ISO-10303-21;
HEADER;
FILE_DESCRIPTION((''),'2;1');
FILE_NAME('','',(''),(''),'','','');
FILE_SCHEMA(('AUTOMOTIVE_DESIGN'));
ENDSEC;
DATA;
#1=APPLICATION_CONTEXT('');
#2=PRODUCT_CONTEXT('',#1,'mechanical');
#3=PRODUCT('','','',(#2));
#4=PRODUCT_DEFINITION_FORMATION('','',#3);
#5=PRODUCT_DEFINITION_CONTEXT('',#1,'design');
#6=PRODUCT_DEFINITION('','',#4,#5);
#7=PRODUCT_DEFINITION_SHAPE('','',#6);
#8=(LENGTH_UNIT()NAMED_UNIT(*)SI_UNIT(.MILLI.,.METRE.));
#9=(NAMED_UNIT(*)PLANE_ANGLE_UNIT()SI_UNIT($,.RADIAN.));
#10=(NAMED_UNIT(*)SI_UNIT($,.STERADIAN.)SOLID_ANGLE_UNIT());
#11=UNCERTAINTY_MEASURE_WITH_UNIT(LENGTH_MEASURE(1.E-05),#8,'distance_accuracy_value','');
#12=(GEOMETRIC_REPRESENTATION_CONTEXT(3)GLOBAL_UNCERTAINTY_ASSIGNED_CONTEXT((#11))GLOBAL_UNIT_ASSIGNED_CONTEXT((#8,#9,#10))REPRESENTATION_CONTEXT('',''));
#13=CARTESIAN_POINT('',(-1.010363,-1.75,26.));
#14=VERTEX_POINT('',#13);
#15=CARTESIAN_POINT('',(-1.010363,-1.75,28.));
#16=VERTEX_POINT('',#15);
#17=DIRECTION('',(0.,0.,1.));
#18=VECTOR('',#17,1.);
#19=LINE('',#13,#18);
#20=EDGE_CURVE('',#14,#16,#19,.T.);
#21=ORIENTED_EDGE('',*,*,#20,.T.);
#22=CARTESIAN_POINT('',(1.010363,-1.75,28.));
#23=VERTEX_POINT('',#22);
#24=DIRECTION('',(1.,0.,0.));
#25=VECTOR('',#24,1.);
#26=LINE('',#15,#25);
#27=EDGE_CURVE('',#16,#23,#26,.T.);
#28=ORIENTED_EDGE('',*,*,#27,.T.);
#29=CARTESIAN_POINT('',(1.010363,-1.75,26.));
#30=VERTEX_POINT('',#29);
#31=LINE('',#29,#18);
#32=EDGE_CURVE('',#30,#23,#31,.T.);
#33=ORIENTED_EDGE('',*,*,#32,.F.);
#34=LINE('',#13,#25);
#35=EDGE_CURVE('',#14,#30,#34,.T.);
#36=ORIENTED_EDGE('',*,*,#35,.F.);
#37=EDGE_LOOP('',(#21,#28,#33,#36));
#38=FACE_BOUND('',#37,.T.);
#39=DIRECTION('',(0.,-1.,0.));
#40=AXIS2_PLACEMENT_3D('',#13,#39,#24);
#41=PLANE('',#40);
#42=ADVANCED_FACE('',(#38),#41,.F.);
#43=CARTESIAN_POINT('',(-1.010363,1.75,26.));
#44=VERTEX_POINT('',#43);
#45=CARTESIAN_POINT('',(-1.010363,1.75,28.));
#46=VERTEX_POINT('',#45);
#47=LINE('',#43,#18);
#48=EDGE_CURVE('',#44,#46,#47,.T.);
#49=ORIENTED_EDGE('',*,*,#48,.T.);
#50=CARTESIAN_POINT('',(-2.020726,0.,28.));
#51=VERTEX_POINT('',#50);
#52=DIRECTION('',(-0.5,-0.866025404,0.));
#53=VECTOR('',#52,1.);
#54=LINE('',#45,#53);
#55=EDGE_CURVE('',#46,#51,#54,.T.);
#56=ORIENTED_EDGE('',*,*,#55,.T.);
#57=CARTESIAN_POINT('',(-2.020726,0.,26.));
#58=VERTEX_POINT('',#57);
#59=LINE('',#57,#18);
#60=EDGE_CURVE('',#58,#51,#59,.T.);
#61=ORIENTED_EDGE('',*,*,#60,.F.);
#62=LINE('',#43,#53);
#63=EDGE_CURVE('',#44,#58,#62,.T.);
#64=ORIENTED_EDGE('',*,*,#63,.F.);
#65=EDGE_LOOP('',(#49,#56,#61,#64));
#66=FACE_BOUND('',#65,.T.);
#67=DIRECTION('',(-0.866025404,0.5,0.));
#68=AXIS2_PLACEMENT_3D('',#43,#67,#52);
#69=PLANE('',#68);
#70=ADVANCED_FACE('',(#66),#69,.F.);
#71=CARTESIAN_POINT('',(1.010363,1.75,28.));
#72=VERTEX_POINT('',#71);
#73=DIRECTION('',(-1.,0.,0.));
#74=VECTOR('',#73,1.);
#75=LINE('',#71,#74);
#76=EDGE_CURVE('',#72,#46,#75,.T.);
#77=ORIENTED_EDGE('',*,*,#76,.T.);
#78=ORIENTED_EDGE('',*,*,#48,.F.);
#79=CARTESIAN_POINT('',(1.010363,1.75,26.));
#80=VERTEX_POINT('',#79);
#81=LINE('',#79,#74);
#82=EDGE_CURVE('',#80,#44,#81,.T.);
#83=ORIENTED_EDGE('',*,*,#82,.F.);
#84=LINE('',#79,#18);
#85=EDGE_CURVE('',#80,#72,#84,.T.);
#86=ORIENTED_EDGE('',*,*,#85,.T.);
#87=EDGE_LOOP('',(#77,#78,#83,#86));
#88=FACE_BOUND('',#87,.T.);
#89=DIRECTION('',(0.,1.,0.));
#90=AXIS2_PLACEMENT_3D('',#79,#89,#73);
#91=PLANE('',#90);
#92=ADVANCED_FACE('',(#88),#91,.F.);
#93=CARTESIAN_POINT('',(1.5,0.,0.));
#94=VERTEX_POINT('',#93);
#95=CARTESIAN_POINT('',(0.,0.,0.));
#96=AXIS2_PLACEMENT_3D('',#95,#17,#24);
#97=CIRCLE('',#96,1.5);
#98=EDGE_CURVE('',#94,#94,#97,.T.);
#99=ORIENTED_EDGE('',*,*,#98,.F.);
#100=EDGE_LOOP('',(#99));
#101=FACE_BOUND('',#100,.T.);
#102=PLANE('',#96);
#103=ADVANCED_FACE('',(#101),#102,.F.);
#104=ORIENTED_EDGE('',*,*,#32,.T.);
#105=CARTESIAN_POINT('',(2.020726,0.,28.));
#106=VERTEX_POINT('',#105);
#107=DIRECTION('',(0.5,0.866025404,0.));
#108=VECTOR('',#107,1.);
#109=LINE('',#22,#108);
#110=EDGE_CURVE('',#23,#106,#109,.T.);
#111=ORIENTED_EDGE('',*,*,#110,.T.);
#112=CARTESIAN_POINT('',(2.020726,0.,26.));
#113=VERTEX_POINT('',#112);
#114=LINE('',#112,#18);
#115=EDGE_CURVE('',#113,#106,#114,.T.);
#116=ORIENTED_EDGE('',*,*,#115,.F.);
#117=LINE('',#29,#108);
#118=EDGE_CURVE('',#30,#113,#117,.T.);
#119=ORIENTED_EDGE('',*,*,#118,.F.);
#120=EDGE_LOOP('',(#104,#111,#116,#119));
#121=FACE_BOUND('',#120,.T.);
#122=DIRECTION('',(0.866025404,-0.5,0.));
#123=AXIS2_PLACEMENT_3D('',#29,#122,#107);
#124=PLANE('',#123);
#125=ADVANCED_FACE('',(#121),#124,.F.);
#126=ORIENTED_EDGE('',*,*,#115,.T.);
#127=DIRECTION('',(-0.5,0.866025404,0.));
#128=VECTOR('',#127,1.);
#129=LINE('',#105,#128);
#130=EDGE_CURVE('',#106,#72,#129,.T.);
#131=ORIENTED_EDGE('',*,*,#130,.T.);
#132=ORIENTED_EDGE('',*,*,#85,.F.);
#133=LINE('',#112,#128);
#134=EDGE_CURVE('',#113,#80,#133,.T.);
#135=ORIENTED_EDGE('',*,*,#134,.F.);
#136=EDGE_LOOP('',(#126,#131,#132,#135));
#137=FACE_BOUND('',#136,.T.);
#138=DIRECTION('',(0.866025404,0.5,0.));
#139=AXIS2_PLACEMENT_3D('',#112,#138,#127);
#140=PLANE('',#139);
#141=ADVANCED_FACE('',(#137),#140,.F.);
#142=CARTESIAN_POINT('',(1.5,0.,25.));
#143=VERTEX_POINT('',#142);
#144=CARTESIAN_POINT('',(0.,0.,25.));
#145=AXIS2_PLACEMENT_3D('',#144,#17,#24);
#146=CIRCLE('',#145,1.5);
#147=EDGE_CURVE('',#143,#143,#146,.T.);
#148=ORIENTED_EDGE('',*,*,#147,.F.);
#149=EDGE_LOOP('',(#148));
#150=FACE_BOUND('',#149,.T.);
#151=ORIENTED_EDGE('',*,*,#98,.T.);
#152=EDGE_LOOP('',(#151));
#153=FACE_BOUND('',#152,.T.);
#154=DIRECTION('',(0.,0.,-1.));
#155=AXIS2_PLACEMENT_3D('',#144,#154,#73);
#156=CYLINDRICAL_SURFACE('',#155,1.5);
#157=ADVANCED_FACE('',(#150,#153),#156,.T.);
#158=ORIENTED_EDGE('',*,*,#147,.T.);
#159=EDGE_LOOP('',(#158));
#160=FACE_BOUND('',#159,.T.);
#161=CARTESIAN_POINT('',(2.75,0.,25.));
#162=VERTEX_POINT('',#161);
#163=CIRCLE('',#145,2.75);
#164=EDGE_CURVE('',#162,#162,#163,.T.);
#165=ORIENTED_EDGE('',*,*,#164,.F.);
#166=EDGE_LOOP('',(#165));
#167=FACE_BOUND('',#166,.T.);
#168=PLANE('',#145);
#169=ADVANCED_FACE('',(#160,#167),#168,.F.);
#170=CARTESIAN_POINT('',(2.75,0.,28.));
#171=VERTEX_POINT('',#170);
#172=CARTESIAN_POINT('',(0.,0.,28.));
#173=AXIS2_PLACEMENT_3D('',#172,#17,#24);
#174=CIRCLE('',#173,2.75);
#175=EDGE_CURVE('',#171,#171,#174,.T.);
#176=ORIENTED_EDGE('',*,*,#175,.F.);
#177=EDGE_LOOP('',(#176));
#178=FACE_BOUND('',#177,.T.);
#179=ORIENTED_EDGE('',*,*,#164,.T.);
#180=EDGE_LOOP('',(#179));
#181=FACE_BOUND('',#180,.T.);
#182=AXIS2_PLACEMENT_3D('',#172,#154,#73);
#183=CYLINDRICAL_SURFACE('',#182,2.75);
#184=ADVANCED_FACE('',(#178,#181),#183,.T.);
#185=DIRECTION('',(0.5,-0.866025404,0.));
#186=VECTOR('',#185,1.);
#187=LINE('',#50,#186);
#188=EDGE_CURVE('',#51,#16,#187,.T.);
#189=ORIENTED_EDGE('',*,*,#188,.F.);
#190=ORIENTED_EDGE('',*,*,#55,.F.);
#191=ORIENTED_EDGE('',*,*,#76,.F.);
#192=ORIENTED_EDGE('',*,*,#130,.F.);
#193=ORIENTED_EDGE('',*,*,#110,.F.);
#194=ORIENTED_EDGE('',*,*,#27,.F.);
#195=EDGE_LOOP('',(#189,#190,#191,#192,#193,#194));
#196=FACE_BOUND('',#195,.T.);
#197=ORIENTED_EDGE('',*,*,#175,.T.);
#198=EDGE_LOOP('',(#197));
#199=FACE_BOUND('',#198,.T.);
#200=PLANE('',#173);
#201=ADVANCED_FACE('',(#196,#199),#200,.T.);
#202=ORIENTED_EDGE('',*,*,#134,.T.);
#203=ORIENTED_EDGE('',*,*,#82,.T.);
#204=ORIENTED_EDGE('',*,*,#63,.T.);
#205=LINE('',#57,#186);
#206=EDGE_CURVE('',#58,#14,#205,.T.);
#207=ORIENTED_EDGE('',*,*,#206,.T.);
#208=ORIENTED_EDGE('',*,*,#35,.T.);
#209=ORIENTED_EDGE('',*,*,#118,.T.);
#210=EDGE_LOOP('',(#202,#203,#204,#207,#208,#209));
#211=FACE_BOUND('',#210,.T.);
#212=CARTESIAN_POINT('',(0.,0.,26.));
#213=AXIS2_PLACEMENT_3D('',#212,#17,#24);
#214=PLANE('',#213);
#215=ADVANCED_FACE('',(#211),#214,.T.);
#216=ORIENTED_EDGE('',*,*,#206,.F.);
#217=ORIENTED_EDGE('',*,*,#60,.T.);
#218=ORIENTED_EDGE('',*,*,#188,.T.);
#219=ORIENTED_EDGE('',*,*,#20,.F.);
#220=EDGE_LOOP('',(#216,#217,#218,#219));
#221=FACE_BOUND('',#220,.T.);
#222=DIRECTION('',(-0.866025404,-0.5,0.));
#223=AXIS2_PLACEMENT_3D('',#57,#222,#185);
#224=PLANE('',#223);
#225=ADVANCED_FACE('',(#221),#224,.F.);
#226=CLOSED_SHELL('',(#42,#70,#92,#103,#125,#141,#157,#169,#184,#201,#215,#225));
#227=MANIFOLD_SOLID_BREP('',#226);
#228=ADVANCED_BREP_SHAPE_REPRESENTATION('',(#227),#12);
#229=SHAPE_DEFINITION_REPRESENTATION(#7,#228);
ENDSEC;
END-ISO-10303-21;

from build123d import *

# Parameters (mm, degrees)
ESQUISSE1_R             = 1.5
BOSS_EXTRU_1_DEPTH      = 25
ESQUISSE2_R             = 2.75
BOSS_EXTRU_2_DEPTH      = 3
ENL_V_MAT_EXTRU_1_DEPTH = 2


with BuildPart() as part:
    # Esquisse1 → Boss.-Extru.1 (new body)
    with BuildSketch(Plane.XY):
        Circle(ESQUISSE1_R)
    extrude(amount=BOSS_EXTRU_1_DEPTH)

    # Esquisse2 → Boss.-Extru.2 (add)
    with BuildSketch(Plane.XY.offset(25)):
        Circle(ESQUISSE2_R)
    extrude(amount=BOSS_EXTRU_2_DEPTH)

    # Esquisse3 → Enlèv. mat.-Extru.1 (cut)
    with BuildSketch(Plane.XY.offset(28)):
        Polygon((2.020725942, 0), (1.010362971, 1.75), (-1.010362971, 1.75), (-2.020725942, 0), (-1.010362971, -1.75), (1.010362971, -1.75), align=None)
    extrude(amount=-ENL_V_MAT_EXTRU_1_DEPTH, mode=Mode.SUBTRACT)


solid = part.part
